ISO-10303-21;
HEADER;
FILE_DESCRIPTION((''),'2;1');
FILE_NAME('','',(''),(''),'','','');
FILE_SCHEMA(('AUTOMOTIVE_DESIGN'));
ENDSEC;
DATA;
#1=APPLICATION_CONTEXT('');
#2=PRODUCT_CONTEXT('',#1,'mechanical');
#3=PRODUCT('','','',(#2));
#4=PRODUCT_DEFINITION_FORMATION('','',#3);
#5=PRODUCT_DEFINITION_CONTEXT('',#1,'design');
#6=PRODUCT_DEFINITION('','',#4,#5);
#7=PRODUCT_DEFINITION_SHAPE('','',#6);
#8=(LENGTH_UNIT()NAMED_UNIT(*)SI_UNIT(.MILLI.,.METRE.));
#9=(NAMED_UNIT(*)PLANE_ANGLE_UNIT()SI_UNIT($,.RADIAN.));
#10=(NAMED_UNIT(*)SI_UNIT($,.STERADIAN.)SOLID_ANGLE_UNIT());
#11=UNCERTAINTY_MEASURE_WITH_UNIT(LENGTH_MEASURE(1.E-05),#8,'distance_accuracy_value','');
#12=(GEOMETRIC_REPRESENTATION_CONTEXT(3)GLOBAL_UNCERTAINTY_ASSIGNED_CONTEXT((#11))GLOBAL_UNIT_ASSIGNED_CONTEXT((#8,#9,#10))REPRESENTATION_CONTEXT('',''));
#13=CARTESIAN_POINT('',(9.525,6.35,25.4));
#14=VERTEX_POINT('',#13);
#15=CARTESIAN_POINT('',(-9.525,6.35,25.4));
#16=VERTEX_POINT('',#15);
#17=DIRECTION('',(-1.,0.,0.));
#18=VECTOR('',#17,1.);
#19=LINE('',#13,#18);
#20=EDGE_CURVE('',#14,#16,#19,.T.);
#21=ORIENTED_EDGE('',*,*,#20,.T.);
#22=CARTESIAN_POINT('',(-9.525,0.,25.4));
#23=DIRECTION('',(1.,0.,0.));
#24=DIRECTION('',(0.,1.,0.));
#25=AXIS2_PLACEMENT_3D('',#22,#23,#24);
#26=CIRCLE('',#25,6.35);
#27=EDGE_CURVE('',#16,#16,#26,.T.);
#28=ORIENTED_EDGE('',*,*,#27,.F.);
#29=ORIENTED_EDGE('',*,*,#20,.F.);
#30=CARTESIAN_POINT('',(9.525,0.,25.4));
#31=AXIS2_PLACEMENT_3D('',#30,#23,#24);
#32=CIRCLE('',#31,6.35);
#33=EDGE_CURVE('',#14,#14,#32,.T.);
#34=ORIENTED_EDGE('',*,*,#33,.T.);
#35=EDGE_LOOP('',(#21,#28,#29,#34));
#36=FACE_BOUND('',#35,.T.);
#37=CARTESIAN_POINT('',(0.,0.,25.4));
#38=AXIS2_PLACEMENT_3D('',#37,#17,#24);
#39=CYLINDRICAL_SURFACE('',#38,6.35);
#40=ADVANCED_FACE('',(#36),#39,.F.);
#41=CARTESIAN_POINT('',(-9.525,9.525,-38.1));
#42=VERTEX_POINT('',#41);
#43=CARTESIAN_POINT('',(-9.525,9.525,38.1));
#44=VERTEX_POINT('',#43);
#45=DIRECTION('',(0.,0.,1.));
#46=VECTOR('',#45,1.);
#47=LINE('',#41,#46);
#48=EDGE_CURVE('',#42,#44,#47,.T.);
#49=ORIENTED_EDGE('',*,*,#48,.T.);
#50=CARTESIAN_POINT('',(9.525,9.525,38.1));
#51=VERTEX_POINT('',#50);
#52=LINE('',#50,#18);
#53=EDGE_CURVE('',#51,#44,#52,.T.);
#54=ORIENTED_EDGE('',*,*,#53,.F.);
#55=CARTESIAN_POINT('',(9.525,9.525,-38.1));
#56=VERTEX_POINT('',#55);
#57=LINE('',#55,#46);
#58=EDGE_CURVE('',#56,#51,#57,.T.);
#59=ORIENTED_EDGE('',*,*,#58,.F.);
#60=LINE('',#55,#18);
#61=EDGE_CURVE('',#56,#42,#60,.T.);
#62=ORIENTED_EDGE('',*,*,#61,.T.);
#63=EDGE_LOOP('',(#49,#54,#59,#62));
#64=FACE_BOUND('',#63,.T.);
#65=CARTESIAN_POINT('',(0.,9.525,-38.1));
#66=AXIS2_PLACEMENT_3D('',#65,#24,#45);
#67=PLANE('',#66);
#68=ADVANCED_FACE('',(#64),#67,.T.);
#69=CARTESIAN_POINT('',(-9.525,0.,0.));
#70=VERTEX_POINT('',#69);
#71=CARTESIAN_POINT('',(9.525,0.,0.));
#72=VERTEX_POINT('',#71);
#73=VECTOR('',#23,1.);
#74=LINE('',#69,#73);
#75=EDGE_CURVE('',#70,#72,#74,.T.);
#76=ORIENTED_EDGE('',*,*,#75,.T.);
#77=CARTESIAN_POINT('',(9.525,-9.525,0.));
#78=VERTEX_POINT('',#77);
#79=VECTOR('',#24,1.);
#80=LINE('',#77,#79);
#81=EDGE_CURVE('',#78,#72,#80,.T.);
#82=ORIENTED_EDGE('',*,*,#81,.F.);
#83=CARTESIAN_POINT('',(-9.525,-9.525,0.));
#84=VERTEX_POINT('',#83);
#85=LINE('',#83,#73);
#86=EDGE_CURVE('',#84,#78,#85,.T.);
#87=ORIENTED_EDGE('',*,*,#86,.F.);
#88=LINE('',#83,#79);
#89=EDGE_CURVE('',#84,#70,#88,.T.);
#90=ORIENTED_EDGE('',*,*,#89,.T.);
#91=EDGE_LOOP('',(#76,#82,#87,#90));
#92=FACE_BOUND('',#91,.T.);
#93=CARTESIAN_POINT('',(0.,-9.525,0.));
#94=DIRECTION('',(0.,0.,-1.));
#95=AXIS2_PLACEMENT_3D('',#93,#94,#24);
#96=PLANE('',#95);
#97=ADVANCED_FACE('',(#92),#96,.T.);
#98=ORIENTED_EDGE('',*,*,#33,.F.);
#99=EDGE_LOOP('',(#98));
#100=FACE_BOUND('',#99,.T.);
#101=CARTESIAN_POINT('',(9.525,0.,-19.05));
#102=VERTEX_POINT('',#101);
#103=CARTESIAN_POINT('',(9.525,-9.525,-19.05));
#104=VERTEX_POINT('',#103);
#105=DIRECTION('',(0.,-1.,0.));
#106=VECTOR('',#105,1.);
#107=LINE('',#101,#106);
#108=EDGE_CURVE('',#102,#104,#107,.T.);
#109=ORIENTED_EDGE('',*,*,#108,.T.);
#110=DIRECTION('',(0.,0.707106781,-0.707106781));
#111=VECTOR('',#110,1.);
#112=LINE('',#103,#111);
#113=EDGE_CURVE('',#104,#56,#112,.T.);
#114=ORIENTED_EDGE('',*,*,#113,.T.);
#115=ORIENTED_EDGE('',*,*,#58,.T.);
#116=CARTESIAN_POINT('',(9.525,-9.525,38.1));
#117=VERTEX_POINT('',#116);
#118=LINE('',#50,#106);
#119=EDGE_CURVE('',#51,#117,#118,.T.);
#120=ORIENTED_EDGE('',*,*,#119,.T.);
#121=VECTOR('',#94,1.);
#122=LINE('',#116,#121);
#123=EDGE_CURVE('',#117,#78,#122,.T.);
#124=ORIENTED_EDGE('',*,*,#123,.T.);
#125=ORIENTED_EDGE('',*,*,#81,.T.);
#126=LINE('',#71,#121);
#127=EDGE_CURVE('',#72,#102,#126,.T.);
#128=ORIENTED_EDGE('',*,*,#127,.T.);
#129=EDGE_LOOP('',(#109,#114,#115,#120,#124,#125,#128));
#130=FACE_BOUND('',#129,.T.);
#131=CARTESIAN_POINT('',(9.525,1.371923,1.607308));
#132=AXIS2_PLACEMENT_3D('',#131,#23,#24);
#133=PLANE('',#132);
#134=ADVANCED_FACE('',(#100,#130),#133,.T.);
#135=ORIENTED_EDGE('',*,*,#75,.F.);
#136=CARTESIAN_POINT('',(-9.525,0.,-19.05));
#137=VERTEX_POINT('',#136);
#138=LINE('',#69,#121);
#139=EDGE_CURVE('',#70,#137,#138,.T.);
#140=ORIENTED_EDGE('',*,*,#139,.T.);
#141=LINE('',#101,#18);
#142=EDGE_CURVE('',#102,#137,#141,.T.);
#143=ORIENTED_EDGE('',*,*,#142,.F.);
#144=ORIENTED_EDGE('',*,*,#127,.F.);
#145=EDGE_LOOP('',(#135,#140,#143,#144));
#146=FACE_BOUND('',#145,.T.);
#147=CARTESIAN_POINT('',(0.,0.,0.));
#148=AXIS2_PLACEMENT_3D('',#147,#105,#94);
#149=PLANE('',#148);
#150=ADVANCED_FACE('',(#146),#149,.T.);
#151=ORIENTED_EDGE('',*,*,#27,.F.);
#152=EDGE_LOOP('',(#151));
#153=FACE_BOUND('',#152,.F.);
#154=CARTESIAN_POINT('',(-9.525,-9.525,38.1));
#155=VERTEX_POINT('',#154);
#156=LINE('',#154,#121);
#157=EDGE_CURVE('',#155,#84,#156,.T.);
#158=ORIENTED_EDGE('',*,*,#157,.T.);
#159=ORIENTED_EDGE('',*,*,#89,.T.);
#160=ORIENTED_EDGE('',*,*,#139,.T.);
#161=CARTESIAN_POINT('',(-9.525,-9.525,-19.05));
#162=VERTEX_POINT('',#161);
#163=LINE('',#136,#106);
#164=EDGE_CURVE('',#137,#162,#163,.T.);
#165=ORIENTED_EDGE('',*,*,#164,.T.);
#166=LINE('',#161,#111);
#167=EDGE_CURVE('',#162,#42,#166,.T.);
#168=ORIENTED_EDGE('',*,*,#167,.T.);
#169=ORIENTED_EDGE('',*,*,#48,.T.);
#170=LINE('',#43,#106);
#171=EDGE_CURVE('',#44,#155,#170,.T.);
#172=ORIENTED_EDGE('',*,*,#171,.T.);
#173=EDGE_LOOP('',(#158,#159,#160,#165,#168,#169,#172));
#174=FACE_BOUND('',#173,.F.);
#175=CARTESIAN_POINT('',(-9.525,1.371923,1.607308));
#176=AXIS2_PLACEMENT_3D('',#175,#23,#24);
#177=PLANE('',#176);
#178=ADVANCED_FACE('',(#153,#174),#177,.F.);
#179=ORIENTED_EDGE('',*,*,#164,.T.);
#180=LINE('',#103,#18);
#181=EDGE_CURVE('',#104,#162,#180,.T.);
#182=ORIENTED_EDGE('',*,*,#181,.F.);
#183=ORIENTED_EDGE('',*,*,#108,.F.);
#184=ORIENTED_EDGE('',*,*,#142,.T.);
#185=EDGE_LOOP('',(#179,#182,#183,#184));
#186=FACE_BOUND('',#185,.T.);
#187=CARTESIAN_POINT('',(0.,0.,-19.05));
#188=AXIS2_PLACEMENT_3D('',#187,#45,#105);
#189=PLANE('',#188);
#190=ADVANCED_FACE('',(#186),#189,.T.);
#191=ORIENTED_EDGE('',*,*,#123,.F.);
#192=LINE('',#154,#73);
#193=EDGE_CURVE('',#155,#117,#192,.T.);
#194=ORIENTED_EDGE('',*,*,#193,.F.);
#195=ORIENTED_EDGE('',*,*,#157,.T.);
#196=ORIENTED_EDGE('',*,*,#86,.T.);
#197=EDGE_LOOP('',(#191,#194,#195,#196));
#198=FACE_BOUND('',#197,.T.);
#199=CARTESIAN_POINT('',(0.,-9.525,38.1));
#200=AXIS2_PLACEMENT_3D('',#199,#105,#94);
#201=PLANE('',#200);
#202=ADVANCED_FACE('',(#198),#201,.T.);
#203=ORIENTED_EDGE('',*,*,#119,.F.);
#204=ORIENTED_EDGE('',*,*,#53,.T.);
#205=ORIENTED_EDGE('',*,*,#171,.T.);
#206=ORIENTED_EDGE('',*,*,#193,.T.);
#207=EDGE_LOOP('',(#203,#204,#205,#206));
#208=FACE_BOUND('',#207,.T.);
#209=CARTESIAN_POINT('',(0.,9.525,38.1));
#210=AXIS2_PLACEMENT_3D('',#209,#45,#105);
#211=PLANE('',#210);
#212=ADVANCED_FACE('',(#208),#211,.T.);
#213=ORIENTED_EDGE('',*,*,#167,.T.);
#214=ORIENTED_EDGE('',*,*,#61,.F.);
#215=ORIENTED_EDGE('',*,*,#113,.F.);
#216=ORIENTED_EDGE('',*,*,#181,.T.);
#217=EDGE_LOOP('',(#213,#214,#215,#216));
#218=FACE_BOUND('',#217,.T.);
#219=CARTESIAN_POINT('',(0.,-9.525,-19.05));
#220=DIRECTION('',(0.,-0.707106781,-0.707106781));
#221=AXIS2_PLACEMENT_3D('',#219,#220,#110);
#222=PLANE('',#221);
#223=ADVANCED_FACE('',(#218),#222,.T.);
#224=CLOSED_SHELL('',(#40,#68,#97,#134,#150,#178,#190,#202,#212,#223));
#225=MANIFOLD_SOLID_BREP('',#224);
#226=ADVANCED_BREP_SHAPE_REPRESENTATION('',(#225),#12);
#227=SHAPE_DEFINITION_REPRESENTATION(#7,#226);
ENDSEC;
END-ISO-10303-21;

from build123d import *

# Parameters (mm, degrees)
F0_R     = 6.35
F1_DEPTH = 9.525


with BuildPart() as f1:
    # F0 (on Right) → F1 (new body, symmetric)
    with BuildSketch(Plane.YZ):
        Polygon((9.525, 38.1), (-9.525, 38.1), (-9.525, 0), (0, 0), (0, -19.05), (-9.525, -19.05), (9.525, -38.1), align=None)
        with Locations((0, 25.4)):
            Circle(F0_R, mode=Mode.SUBTRACT)
    extrude(amount=F1_DEPTH, both=True)


solid = f1.part
